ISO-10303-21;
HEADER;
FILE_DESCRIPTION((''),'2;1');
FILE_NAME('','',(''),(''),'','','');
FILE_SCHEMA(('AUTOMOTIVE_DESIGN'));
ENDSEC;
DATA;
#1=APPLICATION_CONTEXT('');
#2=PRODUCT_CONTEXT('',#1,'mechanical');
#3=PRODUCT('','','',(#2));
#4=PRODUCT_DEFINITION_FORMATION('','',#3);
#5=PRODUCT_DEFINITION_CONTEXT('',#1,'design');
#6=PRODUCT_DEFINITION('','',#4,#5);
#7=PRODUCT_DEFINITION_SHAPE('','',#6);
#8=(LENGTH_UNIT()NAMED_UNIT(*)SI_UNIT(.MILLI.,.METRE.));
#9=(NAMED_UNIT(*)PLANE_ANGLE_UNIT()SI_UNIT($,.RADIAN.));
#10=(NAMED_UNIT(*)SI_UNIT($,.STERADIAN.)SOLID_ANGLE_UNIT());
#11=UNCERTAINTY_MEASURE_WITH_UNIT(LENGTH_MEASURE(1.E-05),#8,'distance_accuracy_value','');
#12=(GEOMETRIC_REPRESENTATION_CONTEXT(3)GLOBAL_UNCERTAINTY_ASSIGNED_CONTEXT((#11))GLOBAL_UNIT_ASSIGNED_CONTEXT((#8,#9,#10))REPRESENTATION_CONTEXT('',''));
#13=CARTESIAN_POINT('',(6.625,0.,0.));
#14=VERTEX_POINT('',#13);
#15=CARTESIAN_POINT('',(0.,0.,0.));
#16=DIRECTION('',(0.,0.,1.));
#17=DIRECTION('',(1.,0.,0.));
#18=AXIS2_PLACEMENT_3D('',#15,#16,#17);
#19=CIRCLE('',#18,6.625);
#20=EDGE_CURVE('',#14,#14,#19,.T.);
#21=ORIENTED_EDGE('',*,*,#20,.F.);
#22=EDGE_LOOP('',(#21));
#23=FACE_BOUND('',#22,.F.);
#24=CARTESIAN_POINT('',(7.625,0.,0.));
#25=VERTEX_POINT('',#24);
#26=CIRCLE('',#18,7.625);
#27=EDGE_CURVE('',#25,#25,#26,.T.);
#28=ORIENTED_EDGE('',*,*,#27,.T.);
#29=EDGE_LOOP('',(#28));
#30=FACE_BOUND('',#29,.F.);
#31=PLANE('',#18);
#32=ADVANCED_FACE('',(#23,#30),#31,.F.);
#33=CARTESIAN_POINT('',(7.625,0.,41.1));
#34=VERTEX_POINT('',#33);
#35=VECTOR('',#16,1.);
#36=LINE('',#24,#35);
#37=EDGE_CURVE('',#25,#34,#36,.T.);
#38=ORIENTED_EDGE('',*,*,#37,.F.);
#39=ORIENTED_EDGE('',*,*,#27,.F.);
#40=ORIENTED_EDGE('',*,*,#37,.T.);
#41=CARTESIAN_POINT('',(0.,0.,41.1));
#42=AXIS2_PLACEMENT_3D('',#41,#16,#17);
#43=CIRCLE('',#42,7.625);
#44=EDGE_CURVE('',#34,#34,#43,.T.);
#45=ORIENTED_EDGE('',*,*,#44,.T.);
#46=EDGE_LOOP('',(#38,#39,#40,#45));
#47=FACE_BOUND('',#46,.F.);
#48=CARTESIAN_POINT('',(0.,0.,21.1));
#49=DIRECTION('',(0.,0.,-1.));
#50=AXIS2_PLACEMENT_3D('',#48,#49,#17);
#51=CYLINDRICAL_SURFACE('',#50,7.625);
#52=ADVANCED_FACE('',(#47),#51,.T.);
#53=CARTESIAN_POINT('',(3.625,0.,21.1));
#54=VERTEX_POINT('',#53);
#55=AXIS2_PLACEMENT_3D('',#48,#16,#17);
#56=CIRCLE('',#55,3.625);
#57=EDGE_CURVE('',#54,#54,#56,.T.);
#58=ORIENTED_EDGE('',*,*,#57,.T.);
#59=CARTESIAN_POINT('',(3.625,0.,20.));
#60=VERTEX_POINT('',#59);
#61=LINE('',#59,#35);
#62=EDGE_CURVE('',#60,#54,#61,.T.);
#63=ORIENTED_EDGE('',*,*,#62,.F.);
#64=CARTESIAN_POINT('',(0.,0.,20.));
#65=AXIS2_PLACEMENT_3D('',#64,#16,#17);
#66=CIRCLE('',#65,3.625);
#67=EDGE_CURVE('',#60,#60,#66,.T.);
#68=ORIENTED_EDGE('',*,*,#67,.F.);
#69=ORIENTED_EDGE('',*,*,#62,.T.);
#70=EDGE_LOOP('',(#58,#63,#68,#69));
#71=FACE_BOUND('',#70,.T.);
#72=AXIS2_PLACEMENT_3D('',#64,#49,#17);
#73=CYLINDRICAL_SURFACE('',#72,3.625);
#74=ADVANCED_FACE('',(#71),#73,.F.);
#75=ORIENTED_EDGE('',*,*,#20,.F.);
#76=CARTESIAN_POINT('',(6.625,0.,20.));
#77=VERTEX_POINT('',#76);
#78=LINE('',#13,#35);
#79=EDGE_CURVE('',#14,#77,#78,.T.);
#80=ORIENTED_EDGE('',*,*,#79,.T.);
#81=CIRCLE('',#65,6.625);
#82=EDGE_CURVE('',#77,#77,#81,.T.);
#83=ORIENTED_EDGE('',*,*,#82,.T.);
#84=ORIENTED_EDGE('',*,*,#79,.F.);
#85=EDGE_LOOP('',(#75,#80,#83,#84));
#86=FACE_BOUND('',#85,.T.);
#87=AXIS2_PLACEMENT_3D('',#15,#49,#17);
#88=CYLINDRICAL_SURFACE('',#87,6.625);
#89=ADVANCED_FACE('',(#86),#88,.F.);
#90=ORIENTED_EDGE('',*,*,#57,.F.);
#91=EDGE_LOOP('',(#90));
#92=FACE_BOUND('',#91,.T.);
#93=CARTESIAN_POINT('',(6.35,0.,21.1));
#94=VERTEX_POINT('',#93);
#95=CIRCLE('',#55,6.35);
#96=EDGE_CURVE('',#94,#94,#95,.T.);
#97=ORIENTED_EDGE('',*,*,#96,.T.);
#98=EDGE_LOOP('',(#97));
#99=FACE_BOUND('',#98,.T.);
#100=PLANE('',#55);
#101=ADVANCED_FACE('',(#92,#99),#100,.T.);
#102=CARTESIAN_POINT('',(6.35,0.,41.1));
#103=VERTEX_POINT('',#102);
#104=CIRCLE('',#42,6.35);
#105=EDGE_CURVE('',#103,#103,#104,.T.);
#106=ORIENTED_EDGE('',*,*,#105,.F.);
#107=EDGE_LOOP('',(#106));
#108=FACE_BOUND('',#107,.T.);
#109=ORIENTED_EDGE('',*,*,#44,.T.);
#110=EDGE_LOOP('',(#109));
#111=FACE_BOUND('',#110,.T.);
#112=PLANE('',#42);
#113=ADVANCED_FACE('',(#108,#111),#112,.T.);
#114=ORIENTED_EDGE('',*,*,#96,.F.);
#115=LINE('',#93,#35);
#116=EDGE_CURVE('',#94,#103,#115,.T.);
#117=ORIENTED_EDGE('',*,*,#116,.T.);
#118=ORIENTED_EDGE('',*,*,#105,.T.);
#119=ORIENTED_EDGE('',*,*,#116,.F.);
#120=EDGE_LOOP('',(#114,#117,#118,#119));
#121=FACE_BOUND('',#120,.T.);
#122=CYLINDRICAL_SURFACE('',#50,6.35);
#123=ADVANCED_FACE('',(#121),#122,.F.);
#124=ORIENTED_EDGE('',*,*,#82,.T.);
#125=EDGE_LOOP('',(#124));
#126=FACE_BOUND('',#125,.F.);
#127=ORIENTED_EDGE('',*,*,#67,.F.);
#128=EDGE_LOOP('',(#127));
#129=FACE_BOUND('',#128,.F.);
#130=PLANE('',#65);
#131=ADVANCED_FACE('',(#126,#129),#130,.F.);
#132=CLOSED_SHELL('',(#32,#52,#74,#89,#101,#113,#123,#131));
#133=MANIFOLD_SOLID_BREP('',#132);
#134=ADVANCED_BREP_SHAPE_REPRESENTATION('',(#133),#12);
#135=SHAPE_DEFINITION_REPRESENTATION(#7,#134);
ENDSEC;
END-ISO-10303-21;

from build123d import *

# Parameters (mm, degrees)
F0_R     = 7.625
F0_R_2   = 6.625
F1_DEPTH = 20
F2_R     = 7.625
F2_R_2   = 6.625
F2_R_3   = 3.625
F3_DEPTH = 1.1
F4_R     = 7.625
F4_R_2   = 6.35
F5_DEPTH = 20


with BuildPart() as f1:
    # F0 (on Top) → F1 (new body)
    with BuildSketch(Plane.XY):
        Circle(F0_R)
        Circle(F0_R_2, mode=Mode.SUBTRACT)
    extrude(amount=F1_DEPTH)

    # F2 (on face) → F3 (join)
    with BuildSketch(Plane.XY.offset(20)):
        Circle(F2_R)
        Circle(F2_R_2, mode=Mode.SUBTRACT)
        Circle(F2_R_2)
        Circle(F2_R_3, mode=Mode.SUBTRACT)
    extrude(amount=F3_DEPTH)

    # F4 (on face) → F5 (join)
    with BuildSketch(Plane.XY.offset(21.1)):
        Circle(F4_R)
        Circle(F4_R_2, mode=Mode.SUBTRACT)
    extrude(amount=F5_DEPTH)


solid = f1.part
